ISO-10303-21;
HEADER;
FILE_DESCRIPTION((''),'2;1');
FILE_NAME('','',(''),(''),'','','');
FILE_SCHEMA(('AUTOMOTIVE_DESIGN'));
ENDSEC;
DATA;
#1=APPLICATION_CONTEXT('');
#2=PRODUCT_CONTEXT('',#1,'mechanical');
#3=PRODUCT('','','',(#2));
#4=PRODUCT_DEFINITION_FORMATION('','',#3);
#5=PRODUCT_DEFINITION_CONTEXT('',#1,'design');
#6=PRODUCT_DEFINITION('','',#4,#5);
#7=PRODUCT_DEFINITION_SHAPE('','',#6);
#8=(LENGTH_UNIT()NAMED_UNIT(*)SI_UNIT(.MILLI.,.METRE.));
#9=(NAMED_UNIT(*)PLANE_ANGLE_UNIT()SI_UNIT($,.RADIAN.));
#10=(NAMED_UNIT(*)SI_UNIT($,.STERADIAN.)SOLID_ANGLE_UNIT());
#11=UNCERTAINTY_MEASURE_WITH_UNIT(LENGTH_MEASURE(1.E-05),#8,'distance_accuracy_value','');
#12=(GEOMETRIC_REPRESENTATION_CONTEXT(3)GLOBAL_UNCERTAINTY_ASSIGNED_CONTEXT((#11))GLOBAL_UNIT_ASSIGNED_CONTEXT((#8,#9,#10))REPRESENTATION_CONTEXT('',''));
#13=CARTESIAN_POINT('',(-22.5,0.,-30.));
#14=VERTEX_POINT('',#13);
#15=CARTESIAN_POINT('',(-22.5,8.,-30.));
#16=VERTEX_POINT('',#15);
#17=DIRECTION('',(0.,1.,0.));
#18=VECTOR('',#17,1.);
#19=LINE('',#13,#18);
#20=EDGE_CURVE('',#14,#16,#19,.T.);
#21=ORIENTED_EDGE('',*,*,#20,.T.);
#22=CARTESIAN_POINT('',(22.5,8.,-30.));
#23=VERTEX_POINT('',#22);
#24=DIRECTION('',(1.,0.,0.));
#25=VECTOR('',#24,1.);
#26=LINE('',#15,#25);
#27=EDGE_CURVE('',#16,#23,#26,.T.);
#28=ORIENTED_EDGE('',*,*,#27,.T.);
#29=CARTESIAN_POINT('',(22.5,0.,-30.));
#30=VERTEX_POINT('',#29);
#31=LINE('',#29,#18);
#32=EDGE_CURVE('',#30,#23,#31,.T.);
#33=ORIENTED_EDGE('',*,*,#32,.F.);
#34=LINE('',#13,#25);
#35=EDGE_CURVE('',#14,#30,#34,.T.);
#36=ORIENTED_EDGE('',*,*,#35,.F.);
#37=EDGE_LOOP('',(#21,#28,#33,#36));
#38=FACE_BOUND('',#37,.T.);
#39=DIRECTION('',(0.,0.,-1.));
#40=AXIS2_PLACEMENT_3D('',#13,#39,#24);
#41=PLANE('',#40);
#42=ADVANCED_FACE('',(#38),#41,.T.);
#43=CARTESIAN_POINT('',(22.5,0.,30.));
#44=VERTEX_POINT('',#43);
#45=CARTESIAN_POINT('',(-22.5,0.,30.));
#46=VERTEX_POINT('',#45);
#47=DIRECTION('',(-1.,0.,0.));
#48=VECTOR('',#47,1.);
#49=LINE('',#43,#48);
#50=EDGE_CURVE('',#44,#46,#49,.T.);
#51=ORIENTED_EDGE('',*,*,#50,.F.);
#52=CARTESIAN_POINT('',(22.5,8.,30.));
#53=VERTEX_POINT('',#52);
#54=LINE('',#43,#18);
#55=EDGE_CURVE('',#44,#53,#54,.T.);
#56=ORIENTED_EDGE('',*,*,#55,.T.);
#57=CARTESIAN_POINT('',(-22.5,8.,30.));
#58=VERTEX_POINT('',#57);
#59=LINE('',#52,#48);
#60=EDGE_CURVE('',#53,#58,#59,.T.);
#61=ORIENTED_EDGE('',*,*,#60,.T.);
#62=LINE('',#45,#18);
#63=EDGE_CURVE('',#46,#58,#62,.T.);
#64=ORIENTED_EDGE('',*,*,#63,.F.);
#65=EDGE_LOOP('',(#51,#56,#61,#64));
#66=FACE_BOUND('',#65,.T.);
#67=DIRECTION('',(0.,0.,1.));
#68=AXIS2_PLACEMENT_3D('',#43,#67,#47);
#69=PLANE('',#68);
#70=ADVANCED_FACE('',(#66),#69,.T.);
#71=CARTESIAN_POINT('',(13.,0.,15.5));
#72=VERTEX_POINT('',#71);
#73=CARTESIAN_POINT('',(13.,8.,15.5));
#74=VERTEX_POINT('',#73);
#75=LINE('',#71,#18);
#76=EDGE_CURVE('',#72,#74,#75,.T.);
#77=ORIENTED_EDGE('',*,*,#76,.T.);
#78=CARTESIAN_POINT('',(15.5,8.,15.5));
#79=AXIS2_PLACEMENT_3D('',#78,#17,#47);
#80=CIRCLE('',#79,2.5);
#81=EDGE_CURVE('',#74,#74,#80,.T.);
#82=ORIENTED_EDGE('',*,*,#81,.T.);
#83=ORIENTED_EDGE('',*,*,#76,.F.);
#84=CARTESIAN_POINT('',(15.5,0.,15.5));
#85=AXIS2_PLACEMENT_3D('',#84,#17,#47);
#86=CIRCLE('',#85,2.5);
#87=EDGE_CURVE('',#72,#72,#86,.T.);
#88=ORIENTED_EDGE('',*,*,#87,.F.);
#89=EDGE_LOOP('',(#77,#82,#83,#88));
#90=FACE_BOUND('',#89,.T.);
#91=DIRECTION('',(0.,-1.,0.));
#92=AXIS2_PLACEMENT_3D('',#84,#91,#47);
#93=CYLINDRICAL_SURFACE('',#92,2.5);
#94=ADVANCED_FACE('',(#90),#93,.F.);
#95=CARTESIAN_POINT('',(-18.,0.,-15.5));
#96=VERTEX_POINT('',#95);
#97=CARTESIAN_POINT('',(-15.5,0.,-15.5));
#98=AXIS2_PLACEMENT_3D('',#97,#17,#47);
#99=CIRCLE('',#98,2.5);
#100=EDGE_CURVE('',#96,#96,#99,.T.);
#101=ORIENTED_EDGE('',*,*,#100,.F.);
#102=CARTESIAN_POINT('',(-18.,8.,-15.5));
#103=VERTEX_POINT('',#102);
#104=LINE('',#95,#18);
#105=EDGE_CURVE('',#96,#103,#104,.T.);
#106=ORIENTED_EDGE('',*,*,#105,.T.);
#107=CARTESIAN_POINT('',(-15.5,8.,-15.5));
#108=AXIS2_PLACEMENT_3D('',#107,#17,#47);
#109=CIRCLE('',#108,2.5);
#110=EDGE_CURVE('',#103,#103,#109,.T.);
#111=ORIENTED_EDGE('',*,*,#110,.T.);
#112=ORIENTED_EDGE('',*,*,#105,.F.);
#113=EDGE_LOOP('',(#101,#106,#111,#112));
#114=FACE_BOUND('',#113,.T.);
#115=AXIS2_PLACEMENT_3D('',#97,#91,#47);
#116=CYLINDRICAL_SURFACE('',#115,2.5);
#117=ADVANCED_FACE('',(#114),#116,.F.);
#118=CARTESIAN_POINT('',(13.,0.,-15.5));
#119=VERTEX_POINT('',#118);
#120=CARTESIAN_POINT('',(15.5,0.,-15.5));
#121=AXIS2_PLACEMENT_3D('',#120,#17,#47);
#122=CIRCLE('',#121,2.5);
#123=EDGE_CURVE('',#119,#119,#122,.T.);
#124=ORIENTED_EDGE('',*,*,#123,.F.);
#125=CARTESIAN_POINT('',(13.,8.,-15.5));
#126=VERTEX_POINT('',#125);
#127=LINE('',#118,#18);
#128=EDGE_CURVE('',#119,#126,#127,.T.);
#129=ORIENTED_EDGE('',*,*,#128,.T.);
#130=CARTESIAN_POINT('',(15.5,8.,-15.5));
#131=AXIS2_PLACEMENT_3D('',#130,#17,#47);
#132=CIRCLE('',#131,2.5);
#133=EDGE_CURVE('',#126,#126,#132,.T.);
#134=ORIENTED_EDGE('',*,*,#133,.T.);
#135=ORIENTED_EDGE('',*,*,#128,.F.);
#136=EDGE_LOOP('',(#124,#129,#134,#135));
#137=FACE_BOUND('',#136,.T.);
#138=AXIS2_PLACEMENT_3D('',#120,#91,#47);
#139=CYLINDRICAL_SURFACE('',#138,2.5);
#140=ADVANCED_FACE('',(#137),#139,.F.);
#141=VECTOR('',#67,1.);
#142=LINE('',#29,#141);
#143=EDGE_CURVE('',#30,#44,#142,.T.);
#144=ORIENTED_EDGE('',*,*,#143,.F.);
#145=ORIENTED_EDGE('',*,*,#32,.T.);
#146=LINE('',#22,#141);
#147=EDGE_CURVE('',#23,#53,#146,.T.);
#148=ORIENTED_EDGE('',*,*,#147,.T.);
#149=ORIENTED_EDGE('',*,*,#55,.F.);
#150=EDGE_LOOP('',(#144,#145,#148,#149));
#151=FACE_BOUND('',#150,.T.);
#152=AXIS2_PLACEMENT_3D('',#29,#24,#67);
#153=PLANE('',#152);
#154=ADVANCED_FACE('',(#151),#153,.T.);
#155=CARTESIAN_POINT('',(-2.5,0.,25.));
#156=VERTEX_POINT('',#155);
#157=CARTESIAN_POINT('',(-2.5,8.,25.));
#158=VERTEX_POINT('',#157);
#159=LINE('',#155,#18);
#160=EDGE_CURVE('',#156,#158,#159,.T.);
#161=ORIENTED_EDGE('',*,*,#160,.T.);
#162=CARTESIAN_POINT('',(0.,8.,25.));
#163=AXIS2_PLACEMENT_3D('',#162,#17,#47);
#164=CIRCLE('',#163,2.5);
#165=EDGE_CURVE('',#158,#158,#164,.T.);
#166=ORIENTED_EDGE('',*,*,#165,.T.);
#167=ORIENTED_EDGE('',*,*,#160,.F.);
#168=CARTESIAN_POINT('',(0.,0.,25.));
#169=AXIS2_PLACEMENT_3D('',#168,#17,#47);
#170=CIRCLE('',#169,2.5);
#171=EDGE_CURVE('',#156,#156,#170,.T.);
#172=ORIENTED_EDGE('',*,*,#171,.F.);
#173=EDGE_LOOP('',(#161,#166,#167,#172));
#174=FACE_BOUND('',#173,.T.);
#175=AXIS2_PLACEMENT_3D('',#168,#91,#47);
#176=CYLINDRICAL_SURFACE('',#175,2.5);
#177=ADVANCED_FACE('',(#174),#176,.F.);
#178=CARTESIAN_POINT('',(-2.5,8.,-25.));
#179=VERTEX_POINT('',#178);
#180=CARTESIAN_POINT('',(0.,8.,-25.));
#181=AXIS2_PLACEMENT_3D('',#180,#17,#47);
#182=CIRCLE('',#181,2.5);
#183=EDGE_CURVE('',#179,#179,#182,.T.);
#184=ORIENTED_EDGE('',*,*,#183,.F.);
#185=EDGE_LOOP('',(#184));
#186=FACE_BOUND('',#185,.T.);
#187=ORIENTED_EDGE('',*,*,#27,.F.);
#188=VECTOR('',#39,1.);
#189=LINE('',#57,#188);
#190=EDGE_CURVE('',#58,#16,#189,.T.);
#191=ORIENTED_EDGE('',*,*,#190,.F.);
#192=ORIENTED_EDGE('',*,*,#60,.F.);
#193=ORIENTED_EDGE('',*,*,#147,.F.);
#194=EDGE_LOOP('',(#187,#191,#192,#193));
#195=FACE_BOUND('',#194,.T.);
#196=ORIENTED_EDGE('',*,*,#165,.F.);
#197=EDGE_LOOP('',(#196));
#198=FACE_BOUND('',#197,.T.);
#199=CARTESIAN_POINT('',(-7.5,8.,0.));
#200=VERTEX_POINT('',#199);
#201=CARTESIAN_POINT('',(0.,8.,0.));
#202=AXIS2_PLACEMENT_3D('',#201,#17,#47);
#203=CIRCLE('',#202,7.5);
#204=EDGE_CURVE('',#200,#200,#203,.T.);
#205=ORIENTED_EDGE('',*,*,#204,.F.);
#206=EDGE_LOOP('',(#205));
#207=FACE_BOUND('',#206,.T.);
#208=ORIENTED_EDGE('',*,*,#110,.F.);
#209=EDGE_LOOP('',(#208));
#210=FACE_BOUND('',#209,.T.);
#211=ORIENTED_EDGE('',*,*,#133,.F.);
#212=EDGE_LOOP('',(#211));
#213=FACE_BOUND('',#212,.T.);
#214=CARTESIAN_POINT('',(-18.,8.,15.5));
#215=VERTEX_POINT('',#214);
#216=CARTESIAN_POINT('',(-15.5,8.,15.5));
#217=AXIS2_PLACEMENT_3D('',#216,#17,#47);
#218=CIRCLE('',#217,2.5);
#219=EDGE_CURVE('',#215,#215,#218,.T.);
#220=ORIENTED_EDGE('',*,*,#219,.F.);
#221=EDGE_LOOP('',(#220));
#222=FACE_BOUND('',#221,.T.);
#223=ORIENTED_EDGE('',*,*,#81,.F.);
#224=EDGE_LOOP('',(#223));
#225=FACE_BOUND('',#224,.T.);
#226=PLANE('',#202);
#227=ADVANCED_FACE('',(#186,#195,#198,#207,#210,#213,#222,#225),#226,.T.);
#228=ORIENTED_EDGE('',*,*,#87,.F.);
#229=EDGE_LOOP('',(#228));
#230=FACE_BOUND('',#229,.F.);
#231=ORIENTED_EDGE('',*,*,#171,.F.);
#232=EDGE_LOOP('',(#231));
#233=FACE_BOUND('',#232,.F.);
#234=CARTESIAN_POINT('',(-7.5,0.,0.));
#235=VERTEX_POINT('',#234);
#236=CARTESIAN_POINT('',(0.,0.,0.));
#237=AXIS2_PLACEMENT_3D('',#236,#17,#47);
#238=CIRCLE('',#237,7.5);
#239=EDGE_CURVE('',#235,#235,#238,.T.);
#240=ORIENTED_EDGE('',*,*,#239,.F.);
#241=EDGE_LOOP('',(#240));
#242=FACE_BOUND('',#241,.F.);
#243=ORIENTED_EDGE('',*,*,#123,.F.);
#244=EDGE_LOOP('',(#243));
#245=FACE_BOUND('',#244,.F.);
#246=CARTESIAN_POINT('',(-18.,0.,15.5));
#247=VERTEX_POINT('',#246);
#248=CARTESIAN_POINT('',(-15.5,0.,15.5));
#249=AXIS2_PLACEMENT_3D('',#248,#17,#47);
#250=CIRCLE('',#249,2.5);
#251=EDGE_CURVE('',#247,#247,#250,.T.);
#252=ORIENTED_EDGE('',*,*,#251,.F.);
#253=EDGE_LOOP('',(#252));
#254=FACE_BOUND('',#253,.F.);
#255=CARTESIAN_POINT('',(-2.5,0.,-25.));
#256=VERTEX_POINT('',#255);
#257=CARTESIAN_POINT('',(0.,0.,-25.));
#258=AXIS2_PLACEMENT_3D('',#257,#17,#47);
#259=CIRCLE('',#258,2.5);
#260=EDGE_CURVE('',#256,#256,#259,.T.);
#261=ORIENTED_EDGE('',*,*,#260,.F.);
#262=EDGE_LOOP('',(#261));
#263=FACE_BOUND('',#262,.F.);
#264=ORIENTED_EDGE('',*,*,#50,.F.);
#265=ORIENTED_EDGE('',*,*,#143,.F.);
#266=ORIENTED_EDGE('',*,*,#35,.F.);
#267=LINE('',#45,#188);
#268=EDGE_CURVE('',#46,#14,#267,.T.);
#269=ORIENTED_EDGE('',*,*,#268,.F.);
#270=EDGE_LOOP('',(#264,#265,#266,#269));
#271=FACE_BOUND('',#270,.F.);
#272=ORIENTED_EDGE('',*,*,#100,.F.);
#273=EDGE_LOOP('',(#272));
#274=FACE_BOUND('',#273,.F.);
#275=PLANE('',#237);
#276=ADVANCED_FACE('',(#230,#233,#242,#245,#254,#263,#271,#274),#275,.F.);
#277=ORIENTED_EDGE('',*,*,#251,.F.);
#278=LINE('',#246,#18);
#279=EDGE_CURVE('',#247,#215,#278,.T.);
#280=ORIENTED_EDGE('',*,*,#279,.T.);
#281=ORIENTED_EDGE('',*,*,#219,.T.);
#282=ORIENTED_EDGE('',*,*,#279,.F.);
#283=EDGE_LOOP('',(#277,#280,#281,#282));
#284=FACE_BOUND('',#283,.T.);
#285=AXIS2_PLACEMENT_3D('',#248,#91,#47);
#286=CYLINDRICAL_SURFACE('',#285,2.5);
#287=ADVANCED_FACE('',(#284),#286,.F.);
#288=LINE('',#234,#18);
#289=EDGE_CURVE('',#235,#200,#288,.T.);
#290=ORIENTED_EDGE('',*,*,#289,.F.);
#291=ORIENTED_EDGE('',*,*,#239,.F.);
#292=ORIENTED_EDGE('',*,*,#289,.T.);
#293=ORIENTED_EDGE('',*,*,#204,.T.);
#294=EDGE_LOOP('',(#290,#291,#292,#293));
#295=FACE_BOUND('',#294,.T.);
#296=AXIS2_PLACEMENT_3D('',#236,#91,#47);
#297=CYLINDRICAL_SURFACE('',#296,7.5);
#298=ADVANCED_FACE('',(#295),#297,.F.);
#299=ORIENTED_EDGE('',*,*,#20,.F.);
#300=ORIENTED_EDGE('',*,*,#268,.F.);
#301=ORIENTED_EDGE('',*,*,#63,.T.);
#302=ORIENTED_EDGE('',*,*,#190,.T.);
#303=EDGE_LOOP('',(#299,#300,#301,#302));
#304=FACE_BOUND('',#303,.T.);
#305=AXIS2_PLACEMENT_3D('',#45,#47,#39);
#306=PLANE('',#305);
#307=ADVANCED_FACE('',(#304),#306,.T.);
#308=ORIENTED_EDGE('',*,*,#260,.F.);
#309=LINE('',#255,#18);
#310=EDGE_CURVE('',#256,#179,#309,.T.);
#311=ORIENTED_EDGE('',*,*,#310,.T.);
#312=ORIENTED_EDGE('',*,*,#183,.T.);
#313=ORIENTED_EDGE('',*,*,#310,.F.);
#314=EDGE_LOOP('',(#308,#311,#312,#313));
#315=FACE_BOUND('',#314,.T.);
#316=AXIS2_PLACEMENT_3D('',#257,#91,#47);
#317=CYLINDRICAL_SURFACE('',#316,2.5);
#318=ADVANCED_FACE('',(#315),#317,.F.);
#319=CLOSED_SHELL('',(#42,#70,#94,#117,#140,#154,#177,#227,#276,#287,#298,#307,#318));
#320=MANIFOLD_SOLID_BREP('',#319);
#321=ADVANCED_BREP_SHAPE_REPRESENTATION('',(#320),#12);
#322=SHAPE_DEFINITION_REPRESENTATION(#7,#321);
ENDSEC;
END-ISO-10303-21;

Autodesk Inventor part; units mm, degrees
ref_plane "YZ Plane" through (0, 0, 0) normal (1, 0, 0) x (0, 1, 0)
ref_plane "XZ Plane" through (0, 0, 0) normal (0, 1, 0) x (-1, 0, 0)
ref_plane "XY Plane" through (0, 0, 0) normal (0, 0, 1) x (1, 0, 0)
sketch "Sketch1" plane through (0, 0, 0) normal (0, 1, 0) x (-1, 0, 0)
  line L0 (22.5, -30) -> (-22.5, -30)
  line L1 (-22.5, -30) -> (-22.5, 30)
  line L2 (-22.5, 30) -> (22.5, 30)
  line L3 (22.5, 30) -> (22.5, -30)
  line L4 (0, 0) -> (0, -2.1911) construction
  line L5 (0, 0) -> (-2.34, 0) construction
  line L6 (15.5, -15.5) -> (-15.5, -15.5) construction
  line L7 (-15.5, -15.5) -> (-15.5, 15.5) construction
  line L8 (-15.5, 15.5) -> (15.5, 15.5) construction
  line L9 (15.5, 15.5) -> (15.5, -15.5) construction
  circle A0 centre (15.5, -15.5) radius 2.5
  circle A1 centre (-15.5, -15.5) radius 2.5
  circle A2 centre (-15.5, 15.5) radius 2.5
  circle A3 centre (15.5, 15.5) radius 2.5
  circle A4 centre (0, -25) radius 2.5
  circle A5 centre (0, 25) radius 2.5
  line L10 (0, -25) -> (0, -30) construction
  line L11 (0, 30) -> (0, 25) construction
  circle A6 centre (0, 0) radius 7.5
  point P0 (0, -1.0955)
  dimension "d6" = 60
  dimension "d7" = 45
  dimension "d8" = 31
  dimension "d9" = 5
  dimension "d10" = 5
  dimension "d11" = 5
  dimension "d12" = 5
  dimension "d13" = 5
  dimension "d14" = 5
  dimension "d15" = 15
extrude "Extrusion1" add sketch "Sketch1" along normal blind 8
properties part number "XMotorMount"
